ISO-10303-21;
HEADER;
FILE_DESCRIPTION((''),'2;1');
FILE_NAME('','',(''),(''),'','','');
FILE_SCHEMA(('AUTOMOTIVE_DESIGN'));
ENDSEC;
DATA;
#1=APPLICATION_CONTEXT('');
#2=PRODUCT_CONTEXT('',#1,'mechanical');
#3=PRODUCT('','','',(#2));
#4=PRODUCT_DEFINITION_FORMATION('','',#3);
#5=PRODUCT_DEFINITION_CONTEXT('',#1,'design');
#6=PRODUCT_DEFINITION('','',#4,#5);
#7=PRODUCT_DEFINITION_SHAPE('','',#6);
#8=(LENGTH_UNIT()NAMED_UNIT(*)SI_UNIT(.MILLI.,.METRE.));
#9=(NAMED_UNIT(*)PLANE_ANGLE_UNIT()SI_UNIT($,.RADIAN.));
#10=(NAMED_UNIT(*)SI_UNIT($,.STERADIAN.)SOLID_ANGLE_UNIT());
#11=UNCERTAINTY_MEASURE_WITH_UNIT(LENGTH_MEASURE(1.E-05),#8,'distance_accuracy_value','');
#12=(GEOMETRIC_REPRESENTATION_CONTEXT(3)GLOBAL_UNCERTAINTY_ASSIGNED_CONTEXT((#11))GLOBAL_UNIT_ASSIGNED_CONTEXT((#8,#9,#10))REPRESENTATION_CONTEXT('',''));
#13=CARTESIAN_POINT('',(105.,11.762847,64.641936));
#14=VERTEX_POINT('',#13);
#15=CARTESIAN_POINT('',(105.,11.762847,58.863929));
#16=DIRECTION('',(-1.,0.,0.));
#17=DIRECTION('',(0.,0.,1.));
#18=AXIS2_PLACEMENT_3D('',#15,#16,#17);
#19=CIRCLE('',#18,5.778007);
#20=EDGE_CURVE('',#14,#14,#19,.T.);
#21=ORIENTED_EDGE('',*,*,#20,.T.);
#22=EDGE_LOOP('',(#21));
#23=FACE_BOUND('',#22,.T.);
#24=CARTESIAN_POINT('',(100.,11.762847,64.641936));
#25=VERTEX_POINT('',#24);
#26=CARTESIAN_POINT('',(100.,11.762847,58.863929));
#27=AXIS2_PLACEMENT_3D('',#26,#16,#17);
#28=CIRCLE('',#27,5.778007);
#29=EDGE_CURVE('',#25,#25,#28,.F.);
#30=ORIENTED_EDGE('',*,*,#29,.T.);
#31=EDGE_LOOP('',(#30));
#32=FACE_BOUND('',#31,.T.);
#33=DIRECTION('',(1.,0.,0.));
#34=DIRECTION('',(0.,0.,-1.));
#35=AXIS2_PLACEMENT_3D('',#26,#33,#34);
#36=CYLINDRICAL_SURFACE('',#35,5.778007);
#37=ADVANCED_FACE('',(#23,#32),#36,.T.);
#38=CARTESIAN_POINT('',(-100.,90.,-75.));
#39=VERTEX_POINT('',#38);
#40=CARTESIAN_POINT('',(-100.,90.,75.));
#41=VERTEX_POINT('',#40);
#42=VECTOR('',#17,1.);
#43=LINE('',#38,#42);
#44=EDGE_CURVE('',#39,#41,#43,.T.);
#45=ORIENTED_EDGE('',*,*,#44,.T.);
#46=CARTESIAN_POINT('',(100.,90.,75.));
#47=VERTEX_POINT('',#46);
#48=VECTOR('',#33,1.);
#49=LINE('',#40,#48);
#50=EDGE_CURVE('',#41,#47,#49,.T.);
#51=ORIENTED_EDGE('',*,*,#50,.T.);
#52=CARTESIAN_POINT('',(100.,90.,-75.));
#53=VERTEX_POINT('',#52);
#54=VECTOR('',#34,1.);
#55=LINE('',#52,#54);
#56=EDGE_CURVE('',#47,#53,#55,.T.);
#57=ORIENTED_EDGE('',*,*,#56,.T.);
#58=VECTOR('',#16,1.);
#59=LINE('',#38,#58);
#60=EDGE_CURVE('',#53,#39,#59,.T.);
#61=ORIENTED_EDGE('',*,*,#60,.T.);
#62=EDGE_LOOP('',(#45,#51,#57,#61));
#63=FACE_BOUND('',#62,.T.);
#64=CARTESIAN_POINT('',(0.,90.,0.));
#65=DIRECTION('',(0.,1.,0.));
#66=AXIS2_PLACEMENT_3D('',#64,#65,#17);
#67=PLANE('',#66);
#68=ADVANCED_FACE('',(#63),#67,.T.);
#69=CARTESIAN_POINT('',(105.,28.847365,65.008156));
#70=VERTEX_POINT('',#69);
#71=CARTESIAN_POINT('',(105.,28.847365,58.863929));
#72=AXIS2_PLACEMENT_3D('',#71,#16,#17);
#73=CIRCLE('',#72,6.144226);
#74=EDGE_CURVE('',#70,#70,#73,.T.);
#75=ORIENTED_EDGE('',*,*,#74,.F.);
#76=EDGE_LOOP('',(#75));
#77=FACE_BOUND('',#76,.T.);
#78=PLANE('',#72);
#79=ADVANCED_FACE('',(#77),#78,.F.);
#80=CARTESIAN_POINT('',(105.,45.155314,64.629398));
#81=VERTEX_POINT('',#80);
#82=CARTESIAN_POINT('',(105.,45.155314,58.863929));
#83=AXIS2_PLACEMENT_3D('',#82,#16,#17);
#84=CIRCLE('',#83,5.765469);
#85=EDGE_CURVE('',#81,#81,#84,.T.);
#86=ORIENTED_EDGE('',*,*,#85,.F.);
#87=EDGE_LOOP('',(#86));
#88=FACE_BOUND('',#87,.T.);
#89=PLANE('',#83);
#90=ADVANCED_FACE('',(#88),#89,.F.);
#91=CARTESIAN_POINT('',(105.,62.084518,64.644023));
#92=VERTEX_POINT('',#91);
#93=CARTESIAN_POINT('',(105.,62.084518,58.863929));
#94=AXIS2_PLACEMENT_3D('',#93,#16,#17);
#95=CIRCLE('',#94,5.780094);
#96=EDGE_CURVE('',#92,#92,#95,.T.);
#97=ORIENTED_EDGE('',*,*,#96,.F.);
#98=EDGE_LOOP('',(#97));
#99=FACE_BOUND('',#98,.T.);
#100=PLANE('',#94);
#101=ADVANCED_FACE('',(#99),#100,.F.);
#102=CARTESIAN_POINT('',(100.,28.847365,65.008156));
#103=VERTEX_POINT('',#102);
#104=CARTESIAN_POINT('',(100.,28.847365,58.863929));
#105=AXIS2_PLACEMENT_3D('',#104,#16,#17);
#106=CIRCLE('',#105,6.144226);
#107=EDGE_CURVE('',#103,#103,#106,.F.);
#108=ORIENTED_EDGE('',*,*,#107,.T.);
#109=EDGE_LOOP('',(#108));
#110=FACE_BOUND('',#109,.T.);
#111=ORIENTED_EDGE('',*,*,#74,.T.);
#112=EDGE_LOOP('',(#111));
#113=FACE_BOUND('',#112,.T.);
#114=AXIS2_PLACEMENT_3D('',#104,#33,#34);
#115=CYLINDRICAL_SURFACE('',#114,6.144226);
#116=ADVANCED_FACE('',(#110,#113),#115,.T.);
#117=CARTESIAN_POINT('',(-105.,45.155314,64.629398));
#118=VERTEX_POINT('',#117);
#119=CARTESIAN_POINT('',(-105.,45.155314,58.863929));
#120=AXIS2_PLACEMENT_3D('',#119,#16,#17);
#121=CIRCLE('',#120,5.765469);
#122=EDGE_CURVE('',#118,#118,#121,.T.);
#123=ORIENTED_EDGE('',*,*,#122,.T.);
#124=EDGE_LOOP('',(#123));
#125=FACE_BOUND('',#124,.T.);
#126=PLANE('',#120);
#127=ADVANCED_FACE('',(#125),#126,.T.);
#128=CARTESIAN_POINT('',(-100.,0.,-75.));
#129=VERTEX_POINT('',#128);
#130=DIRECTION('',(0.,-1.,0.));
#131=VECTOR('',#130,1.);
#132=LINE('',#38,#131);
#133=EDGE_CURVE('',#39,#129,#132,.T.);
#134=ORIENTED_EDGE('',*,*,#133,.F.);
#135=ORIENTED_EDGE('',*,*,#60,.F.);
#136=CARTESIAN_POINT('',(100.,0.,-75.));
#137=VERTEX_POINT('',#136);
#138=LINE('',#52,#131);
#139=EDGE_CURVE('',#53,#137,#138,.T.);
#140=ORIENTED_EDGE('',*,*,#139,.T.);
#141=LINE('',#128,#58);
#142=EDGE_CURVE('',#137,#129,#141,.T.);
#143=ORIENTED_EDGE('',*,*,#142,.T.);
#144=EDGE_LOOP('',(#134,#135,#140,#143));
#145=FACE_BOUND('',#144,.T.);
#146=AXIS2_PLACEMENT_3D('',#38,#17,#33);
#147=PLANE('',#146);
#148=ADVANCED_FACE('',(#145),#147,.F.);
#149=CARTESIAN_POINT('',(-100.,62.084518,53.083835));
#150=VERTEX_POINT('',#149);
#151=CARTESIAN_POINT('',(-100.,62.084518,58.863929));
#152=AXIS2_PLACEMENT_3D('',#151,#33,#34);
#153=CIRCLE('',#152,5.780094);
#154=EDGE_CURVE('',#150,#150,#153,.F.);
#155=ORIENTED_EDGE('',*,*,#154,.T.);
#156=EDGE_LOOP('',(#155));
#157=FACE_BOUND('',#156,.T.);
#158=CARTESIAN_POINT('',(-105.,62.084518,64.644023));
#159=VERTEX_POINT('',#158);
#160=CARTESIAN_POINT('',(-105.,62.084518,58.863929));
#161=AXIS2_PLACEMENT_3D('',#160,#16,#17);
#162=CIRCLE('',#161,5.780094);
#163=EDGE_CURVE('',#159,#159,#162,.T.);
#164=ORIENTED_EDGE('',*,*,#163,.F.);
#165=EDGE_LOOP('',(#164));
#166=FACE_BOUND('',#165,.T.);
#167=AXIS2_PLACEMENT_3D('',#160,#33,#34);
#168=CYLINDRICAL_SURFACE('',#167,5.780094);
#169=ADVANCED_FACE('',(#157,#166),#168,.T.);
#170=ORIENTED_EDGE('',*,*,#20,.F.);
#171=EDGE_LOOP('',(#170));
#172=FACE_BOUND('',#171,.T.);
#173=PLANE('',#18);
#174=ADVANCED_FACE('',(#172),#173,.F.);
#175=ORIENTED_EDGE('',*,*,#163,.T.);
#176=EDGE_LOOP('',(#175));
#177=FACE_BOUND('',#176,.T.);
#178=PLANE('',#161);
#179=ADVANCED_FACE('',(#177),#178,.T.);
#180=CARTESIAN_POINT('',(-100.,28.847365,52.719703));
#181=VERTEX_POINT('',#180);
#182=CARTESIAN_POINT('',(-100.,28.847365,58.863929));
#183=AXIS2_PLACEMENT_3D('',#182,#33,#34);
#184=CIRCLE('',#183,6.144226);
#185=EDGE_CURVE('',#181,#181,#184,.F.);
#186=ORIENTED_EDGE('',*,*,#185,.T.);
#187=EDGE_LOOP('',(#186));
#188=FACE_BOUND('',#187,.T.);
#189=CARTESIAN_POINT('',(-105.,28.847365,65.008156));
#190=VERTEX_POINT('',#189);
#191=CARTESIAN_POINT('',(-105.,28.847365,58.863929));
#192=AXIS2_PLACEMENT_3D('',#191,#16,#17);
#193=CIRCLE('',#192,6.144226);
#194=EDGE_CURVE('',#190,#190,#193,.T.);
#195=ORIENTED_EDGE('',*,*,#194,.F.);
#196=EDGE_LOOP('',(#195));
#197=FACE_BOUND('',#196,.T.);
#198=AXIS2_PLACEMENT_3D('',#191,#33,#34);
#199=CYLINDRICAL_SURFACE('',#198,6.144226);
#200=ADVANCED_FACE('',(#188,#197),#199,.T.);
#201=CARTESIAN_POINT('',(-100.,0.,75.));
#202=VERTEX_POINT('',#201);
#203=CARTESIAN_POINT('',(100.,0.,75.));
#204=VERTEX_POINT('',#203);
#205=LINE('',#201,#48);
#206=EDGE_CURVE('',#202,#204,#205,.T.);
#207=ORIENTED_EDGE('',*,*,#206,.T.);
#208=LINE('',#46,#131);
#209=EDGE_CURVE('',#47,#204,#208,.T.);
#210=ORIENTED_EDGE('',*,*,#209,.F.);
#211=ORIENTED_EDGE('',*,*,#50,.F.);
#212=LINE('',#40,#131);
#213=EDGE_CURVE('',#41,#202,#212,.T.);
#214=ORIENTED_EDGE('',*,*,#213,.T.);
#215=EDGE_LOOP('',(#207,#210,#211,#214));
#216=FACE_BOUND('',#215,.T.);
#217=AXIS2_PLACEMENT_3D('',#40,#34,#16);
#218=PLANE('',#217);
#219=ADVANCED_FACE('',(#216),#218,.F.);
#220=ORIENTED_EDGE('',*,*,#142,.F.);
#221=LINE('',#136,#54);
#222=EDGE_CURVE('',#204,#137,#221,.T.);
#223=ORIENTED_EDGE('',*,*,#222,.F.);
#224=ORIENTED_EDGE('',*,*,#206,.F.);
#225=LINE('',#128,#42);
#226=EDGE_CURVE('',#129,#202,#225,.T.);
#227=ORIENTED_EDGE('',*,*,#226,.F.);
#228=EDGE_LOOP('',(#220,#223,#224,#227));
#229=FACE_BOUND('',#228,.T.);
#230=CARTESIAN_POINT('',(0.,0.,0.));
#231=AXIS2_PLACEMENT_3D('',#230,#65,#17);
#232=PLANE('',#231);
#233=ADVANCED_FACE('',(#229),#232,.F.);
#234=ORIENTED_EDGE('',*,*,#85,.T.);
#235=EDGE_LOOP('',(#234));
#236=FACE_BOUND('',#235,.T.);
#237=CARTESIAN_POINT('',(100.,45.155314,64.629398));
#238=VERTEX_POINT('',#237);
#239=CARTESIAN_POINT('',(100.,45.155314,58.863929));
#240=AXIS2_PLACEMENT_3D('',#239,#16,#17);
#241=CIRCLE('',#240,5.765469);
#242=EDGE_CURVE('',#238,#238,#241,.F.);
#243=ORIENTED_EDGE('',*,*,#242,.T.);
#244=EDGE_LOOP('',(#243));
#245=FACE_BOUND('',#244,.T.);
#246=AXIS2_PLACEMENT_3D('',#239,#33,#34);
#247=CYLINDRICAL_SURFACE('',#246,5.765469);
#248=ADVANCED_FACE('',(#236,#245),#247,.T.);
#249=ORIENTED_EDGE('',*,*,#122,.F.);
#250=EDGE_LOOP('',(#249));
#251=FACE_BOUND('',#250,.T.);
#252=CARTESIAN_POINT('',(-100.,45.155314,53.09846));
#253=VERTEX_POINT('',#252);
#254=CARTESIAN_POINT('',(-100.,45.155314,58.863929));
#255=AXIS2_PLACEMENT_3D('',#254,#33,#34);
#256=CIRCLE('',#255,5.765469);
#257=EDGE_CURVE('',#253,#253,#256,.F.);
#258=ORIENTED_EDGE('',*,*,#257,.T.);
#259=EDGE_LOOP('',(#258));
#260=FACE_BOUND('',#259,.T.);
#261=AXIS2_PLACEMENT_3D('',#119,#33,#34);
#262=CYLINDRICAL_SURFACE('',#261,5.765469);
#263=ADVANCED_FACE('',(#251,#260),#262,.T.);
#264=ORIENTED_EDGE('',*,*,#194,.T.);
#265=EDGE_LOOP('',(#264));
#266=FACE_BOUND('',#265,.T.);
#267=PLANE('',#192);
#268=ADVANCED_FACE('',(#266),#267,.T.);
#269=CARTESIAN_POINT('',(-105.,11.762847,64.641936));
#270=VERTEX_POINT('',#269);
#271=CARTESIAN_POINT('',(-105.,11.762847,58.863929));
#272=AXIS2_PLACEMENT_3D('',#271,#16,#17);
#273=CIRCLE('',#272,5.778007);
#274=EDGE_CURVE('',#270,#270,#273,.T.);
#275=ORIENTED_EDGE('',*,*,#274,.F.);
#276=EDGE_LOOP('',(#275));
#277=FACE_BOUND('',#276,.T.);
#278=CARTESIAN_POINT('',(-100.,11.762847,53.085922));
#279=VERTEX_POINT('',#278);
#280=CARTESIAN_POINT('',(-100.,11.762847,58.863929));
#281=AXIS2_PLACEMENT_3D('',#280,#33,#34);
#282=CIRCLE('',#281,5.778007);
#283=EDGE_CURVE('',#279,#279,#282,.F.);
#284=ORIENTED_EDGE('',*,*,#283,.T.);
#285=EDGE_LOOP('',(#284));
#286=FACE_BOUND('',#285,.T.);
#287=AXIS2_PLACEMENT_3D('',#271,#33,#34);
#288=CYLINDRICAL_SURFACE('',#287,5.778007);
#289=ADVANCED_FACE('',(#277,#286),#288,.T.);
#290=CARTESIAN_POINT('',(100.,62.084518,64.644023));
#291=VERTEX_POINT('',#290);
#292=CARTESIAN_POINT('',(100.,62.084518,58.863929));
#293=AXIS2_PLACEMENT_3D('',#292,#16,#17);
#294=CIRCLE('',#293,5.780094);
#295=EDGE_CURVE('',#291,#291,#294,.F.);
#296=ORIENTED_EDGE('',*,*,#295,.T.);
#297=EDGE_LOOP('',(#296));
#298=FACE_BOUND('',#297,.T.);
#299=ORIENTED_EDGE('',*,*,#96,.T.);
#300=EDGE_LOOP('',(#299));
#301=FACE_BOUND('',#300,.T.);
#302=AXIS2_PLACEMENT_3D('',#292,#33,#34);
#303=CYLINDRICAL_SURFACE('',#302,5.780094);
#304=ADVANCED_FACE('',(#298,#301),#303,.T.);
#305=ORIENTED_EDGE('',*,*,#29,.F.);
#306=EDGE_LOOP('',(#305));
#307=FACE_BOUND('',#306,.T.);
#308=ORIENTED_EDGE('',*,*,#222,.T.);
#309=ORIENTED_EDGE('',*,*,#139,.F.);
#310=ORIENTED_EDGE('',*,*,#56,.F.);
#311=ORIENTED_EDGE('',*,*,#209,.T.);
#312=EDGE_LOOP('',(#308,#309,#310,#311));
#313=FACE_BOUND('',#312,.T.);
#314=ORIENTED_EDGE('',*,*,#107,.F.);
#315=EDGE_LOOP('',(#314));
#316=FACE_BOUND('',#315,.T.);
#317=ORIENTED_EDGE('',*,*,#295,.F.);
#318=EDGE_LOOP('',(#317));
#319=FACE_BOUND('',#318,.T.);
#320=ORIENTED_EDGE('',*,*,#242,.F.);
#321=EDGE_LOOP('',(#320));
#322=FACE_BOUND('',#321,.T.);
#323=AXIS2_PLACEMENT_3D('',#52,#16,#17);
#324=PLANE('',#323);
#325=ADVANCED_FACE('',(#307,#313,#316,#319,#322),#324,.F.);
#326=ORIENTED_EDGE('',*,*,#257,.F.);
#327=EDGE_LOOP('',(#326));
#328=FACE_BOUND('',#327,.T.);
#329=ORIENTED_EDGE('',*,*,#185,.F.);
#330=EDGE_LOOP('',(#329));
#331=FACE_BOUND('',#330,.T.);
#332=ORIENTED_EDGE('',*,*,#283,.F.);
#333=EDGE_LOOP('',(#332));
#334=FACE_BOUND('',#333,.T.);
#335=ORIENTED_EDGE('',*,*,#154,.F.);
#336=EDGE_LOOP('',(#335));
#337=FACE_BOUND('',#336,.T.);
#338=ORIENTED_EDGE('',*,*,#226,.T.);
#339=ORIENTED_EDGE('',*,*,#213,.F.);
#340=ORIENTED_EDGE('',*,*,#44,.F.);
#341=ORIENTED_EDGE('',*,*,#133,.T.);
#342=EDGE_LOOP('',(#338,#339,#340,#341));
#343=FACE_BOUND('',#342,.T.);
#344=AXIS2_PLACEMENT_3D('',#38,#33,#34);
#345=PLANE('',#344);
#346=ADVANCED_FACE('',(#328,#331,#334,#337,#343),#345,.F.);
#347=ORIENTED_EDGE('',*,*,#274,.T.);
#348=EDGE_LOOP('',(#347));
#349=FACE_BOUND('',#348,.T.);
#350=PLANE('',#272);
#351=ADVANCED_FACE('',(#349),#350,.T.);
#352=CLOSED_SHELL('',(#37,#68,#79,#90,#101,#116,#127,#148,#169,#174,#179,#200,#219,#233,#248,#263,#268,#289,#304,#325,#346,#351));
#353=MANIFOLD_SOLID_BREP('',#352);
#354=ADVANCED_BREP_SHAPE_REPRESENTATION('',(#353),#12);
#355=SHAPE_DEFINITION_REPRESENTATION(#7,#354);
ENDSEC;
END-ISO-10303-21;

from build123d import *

# Parameters (mm, degrees)
SKETCH1_W           = 200
SKETCH1_H           = 150
BOSS_EXTRUDE1_DEPTH = 90
SKETCH2_R           = 5.778007253
SKETCH2_R_2         = 6.144226379
SKETCH2_R_3         = 5.765469067
SKETCH2_R_4         = 5.780094306
BOSS_EXTRUDE2_DEPTH = 5
BOSS_EXTRUDE3_START = -205
SKETCH2_2_R         = 5.778007253
SKETCH2_2_R_2       = 6.144226379
SKETCH2_2_R_3       = 5.765469067
SKETCH2_2_R_4       = 5.780094306
BOSS_EXTRUDE3_DEPTH = 5


with BuildPart() as part:
    # Sketch1 → Boss-Extrude1 (new body)
    with BuildSketch(Plane(origin=(0, 0, 0), x_dir=(1, 0, 0), z_dir=(0, 1, 0))):
        Rectangle(SKETCH1_W, SKETCH1_H)
    extrude(amount=BOSS_EXTRUDE1_DEPTH)

    # Sketch2 → Boss-Extrude2 (add)
    with BuildSketch(Plane.ZY.offset(100)):
        with Locations((58.863929125, 11.762847407)):
            Circle(SKETCH2_R)
        with Locations((58.863929125, 28.847365095)):
            Circle(SKETCH2_R_2)
        with Locations((58.863929125, 45.155313797)):
            Circle(SKETCH2_R_3)
        with Locations((58.863929125, 62.084517688)):
            Circle(SKETCH2_R_4)
    extrude(amount=BOSS_EXTRUDE2_DEPTH)

    # Sketch2<2> → Boss-Extrude3 (add)
    with BuildSketch(Plane.ZY.offset(100).offset(BOSS_EXTRUDE3_START)):
        with Locations((58.863929125, 11.762847407)):
            Circle(SKETCH2_2_R)
        with Locations((58.863929125, 28.847365095)):
            Circle(SKETCH2_2_R_2)
        with Locations((58.863929125, 45.155313797)):
            Circle(SKETCH2_2_R_3)
        with Locations((58.863929125, 62.084517688)):
            Circle(SKETCH2_2_R_4)
    extrude(amount=BOSS_EXTRUDE3_DEPTH)


solid = part.part
